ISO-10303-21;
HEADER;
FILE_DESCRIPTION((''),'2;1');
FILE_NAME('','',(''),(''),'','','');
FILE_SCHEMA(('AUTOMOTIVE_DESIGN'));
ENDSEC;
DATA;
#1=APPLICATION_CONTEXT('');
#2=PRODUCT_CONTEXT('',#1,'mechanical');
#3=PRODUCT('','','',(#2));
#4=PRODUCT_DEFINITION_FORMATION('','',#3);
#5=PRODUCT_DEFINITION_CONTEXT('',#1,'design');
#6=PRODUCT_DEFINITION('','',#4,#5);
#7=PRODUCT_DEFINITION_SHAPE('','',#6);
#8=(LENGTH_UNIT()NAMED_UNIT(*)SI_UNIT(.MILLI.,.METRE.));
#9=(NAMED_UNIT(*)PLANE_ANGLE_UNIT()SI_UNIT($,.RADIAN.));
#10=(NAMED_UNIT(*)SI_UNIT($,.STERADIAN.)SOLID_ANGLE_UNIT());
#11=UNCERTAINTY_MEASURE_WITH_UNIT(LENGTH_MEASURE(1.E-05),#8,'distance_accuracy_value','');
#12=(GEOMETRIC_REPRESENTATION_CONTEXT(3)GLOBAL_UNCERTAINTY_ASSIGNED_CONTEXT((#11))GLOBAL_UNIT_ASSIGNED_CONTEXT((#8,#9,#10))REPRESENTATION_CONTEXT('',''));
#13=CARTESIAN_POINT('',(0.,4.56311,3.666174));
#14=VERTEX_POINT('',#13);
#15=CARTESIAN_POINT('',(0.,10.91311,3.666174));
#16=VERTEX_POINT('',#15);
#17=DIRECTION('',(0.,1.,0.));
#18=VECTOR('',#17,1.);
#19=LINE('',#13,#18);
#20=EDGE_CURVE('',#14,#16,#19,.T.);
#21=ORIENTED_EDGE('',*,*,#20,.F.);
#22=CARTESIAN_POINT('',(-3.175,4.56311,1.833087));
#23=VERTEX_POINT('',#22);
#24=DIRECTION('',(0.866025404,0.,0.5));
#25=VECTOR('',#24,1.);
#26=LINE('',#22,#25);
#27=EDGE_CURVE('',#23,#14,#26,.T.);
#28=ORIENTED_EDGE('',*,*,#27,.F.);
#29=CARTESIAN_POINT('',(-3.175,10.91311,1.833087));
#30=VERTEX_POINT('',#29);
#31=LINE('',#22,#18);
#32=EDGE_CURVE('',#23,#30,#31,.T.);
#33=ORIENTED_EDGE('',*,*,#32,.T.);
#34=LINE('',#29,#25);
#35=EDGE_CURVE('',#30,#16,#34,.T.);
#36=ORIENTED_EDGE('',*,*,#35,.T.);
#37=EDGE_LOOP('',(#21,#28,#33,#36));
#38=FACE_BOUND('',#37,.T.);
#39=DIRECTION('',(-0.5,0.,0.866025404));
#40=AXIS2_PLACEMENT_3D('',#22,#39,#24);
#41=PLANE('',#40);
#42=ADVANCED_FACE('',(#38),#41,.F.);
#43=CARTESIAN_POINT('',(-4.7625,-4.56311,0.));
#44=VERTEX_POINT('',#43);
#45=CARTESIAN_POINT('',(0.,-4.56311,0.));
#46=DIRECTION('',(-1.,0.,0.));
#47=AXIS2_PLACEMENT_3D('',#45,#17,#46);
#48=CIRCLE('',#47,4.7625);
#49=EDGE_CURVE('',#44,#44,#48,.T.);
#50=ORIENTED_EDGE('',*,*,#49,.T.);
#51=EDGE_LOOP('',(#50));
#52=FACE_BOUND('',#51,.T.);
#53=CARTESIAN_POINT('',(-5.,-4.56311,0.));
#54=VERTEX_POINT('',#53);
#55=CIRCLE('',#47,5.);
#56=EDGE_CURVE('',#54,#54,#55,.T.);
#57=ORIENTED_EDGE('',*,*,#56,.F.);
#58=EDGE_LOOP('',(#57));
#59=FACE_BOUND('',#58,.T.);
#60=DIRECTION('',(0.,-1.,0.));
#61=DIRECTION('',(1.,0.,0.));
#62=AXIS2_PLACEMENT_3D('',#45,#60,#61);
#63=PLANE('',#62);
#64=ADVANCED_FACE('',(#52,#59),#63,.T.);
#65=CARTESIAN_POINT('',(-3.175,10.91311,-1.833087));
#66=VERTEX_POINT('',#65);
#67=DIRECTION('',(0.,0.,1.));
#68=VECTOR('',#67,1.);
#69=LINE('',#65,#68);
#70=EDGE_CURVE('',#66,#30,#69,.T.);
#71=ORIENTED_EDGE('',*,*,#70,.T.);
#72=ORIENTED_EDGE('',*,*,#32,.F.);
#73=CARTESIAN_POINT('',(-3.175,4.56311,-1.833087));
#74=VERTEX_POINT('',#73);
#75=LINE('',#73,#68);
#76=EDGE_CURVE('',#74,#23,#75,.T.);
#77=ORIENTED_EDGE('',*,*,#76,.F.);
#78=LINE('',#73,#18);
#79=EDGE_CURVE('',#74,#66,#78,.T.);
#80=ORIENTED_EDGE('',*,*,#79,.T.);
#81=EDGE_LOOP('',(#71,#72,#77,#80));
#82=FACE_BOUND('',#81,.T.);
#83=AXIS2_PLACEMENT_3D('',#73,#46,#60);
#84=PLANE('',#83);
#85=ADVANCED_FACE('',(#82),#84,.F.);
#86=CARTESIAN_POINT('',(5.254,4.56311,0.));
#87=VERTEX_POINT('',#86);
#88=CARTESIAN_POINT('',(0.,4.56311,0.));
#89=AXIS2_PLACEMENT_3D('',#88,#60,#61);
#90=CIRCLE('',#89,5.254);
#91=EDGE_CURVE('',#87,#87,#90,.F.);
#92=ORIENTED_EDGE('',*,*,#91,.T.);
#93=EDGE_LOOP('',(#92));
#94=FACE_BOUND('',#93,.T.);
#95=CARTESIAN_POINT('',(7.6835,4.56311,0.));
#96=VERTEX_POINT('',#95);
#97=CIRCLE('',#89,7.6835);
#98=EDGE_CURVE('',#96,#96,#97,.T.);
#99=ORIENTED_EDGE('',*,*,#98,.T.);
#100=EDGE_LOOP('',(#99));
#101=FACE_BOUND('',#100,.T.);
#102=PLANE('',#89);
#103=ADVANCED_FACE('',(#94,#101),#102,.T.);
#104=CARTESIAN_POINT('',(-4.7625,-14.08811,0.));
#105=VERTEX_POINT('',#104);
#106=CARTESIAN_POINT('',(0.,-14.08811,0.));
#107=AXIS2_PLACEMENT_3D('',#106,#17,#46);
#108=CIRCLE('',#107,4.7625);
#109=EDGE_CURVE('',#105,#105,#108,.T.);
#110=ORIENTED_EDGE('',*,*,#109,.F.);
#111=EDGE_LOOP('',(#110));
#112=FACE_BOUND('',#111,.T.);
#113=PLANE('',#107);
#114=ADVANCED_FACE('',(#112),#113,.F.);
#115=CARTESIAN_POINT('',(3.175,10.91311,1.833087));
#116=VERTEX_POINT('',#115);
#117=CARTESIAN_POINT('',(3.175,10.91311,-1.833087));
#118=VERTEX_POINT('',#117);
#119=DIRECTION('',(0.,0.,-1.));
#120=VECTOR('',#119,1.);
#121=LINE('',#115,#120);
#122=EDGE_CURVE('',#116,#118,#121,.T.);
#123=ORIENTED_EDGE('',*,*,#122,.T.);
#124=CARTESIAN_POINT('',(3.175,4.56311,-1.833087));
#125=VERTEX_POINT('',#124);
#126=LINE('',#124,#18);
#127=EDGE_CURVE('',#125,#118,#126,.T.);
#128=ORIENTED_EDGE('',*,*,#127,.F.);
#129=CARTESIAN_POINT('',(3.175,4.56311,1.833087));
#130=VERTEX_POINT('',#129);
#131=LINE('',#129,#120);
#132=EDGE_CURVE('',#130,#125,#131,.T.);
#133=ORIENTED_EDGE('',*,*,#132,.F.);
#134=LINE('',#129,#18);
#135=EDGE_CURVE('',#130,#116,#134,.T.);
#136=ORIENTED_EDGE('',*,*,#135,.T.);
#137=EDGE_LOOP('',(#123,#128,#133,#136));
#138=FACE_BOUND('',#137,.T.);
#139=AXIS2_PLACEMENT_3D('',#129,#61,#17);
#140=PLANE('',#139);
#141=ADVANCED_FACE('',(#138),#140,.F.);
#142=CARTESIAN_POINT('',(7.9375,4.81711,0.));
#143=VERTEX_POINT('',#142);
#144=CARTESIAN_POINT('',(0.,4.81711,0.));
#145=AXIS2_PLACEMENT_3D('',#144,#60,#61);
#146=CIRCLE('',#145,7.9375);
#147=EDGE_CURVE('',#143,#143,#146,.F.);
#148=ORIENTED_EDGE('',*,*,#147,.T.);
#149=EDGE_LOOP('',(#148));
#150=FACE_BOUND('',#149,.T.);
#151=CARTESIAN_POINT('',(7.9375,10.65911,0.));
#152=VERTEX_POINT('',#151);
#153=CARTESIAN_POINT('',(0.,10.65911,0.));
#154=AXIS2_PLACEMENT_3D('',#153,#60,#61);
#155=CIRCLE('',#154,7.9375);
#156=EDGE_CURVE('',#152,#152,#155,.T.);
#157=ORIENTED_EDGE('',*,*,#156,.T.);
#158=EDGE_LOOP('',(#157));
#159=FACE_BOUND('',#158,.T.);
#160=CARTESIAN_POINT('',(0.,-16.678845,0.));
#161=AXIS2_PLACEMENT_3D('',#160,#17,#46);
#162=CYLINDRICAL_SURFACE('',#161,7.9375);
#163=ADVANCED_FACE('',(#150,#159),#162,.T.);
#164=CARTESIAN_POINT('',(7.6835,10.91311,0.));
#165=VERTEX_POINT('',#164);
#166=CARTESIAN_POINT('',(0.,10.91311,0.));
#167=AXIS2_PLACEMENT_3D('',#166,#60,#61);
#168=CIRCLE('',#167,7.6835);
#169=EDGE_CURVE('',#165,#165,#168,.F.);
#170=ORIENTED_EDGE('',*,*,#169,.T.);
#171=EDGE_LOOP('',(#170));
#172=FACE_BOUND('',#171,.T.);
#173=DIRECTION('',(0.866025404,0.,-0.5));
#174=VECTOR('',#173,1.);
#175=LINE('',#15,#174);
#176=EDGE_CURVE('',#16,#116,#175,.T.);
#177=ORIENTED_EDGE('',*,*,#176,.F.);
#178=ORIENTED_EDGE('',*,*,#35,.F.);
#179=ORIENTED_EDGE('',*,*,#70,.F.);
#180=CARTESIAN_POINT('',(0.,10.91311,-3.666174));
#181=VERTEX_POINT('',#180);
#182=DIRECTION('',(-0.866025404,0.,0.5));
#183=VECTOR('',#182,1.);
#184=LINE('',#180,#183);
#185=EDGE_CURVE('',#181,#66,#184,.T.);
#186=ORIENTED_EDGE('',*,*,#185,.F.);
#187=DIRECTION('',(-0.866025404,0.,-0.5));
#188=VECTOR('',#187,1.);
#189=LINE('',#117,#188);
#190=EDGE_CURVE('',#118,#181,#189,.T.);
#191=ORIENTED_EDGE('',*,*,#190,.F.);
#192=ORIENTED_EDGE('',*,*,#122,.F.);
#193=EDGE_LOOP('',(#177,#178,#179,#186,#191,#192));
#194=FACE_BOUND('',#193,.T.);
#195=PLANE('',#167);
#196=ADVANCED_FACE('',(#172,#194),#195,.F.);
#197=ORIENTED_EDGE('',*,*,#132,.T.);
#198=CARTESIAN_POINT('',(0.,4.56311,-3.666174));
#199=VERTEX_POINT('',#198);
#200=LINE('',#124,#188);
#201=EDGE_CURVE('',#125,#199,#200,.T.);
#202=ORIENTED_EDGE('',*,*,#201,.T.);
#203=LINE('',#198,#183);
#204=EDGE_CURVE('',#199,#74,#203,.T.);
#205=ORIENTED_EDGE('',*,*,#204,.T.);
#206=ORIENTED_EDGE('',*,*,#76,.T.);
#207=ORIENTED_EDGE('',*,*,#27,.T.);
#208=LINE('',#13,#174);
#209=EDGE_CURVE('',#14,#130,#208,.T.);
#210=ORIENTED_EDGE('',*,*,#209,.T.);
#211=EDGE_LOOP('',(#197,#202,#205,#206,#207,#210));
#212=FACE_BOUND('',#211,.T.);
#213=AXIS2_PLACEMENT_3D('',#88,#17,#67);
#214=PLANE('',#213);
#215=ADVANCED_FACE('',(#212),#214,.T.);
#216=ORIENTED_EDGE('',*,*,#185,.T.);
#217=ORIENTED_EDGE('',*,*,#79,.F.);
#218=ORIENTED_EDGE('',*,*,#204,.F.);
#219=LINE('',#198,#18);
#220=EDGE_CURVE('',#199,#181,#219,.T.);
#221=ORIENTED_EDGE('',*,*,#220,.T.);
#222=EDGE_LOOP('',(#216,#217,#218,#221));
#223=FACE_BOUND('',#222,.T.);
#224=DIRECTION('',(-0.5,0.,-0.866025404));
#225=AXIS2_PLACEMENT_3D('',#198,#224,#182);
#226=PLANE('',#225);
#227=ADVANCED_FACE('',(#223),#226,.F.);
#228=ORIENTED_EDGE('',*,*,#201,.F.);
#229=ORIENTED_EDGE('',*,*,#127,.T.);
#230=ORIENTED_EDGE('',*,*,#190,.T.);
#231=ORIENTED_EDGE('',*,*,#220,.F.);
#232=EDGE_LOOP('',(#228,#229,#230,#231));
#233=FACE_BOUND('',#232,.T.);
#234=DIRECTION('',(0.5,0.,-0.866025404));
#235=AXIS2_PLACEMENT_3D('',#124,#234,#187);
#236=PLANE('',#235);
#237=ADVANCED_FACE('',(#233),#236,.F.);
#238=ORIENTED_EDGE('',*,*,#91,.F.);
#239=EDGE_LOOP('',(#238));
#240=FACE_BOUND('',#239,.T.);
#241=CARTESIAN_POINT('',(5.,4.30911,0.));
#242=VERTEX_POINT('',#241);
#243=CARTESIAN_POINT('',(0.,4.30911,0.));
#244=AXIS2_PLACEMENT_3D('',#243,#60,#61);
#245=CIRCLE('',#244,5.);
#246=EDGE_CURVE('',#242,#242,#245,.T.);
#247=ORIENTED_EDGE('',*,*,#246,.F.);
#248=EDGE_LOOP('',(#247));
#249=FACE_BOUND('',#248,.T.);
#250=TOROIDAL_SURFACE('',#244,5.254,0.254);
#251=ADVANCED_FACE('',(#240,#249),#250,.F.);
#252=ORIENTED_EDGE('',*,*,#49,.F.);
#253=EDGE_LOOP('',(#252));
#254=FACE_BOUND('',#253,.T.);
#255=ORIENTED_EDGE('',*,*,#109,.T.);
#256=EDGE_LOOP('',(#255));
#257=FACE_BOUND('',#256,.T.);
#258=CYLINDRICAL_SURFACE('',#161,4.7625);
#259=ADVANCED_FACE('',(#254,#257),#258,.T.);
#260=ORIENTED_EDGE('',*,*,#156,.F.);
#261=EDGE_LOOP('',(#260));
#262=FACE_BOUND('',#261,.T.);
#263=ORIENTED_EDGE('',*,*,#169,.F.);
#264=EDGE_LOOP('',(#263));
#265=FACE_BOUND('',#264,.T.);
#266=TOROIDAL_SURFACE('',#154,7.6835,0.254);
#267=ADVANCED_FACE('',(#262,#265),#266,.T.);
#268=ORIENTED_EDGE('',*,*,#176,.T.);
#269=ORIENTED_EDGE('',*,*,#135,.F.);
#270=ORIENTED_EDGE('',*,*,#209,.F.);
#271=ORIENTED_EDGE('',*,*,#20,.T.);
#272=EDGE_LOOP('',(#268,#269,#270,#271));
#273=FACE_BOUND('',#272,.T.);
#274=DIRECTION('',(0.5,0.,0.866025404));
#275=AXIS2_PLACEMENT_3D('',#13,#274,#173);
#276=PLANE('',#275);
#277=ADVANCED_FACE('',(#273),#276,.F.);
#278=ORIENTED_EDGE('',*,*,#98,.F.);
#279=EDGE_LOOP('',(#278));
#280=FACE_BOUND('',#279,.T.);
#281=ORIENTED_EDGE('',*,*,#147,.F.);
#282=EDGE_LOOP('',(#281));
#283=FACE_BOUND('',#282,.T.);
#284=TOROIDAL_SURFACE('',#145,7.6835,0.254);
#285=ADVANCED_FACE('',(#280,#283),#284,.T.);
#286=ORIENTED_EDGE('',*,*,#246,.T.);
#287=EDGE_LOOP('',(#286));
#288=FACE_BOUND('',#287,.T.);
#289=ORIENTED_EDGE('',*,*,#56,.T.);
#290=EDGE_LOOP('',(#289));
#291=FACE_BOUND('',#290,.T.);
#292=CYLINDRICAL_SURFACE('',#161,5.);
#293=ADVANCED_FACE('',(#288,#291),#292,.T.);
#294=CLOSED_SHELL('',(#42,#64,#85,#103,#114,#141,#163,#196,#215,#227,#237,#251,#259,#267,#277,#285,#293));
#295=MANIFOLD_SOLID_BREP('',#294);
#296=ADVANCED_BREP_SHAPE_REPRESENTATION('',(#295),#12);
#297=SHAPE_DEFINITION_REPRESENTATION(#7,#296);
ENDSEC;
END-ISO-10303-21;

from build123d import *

# Parameters (mm, degrees)
CUT_EXTRUDE1_DEPTH = 6.35
FILLET1_R          = 0.254
FILLET2_R          = 0.254


with BuildPart() as part:
    # Sketch1 → Revolve1 (revolve)
    with BuildSketch(Plane.XY):
        Polygon((4.7625, -4.56311), (5, -4.56311), (5, 4.56311), (7.9375, 4.56311), (7.9375, 10.91311), (0, 10.91311), (0, -14.08811), (4.7625, -14.08811), align=None)
    revolve(axis=Axis((0, -16.678845395, 0), (0, -1, 0)))

    # Sketch2 → Cut-Extrude1 (cut)
    with BuildSketch(Plane(origin=(0, 10.91311, 0), x_dir=(1, 0, 0), z_dir=(0, 1, 0))):
        Polygon((0, 3.666174209), (-3.175, 1.833087105), (-3.175, -1.833087105), (0, -3.666174209), (3.175, -1.833087105), (3.175, 1.833087105), align=None)
    extrude(amount=-CUT_EXTRUDE1_DEPTH, mode=Mode.SUBTRACT)

    # Fillet1
    fillet1_edges = [part.edges().sort_by_distance(p)[0] for p in [
        (-5, 4.56311, 0),
    ]]
    fillet(fillet1_edges, radius=FILLET1_R)

    # Fillet2
    fillet2_edges = [part.edges().sort_by_distance(p)[0] for p in [
        (-7.9375, 10.91311, 0),
        (-7.9375, 4.56311, 0),
    ]]
    fillet(fillet2_edges, radius=FILLET2_R)


solid = part.part
